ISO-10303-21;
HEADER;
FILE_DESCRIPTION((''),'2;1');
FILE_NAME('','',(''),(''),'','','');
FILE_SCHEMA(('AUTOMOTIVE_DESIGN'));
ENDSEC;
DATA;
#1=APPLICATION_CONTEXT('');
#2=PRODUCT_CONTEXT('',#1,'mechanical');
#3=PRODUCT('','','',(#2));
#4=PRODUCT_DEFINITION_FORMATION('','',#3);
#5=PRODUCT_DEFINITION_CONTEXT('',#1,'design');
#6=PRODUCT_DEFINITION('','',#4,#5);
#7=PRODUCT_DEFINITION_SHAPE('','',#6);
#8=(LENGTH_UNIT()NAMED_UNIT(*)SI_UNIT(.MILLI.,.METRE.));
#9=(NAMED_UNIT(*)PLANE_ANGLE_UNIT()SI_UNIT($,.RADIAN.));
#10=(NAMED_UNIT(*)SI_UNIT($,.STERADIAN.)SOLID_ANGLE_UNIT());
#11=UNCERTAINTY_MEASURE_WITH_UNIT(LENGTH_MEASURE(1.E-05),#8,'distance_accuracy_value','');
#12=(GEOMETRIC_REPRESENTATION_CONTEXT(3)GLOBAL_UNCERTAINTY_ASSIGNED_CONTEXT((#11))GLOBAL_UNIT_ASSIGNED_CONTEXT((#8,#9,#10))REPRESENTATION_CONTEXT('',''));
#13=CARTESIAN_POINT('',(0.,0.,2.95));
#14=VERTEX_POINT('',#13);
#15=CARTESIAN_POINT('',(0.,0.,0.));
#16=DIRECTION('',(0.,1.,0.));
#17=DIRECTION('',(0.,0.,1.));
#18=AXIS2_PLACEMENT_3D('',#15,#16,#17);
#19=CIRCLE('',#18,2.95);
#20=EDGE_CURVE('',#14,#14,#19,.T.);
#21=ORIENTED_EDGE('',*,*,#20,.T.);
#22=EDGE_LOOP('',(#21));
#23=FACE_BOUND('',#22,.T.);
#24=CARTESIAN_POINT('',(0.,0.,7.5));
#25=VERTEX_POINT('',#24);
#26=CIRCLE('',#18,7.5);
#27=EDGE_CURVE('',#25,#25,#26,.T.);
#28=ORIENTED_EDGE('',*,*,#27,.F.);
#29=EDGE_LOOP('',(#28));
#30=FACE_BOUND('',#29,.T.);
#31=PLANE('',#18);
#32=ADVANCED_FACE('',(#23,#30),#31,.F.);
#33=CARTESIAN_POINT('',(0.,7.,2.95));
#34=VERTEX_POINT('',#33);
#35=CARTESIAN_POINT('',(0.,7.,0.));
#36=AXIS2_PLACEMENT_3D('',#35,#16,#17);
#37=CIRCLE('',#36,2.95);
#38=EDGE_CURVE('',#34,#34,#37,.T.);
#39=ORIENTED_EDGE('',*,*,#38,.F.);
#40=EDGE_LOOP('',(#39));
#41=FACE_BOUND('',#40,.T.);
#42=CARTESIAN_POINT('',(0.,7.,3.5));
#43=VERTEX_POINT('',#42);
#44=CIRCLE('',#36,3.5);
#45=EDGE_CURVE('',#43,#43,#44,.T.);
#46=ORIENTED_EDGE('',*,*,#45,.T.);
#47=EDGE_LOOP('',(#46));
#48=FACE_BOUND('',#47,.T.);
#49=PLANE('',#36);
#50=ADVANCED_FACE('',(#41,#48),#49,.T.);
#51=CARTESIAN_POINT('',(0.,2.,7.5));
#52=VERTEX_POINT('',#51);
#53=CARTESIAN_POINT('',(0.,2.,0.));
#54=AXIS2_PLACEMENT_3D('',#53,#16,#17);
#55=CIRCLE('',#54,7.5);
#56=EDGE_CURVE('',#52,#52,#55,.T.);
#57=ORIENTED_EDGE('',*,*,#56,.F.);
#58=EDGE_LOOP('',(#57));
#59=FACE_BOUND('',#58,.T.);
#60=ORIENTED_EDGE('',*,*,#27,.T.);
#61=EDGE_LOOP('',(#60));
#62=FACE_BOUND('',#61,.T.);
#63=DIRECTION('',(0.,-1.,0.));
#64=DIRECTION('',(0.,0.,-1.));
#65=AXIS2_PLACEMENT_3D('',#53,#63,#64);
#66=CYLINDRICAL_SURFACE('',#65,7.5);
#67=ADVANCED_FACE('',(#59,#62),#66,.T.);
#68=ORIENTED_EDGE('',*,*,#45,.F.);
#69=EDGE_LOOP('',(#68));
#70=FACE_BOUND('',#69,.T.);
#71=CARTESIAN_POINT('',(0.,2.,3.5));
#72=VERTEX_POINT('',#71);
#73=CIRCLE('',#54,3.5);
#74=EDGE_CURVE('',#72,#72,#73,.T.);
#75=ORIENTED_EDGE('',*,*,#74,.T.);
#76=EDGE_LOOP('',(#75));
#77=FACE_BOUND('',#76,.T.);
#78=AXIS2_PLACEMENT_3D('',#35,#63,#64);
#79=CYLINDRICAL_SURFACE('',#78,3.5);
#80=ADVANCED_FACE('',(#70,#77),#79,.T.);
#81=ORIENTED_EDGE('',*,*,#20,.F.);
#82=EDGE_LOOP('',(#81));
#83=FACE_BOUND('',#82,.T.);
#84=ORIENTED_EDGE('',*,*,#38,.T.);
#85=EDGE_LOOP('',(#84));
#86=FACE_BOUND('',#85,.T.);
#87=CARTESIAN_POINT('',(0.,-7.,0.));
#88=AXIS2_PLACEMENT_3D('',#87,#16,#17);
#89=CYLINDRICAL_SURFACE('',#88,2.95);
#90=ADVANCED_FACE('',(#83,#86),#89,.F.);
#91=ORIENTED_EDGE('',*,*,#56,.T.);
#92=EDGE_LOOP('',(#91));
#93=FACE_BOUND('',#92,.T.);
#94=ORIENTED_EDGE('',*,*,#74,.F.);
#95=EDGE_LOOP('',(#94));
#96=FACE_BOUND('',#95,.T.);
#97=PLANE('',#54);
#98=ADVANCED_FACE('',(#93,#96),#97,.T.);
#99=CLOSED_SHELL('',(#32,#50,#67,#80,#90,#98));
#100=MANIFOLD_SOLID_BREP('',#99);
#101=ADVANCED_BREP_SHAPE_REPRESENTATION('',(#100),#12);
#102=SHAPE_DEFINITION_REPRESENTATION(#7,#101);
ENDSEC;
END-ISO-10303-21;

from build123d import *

# Parameters (mm, degrees)
SKETCH9_R           = 7.5
BOSS_EXTRUDE4_DEPTH = 2
SKETCH10_R          = 3.5
BOSS_EXTRUDE5_DEPTH = 5
SKETCH11_R          = 2.95
CUT_EXTRUDE3_DEPTH  = 14


with BuildPart() as part:
    # Sketch9 → Boss-Extrude4 (new body)
    with BuildSketch(Plane(origin=(0, 0, 0), x_dir=(1, 0, 0), z_dir=(0, 1, 0))):
        Circle(SKETCH9_R)
    extrude(amount=BOSS_EXTRUDE4_DEPTH)

    # Sketch10 → Boss-Extrude5 (add)
    with BuildSketch(Plane(origin=(0, 2, 0), x_dir=(1, 0, 0), z_dir=(0, 1, 0))):
        Circle(SKETCH10_R)
    extrude(amount=BOSS_EXTRUDE5_DEPTH)

    # Sketch11 → Cut-Extrude3 (cut)
    with BuildSketch(Plane(origin=(0, 7, 0), x_dir=(1, 0, 0), z_dir=(0, 1, 0))):
        Circle(SKETCH11_R)
    extrude(amount=-CUT_EXTRUDE3_DEPTH, mode=Mode.SUBTRACT)


solid = part.part
